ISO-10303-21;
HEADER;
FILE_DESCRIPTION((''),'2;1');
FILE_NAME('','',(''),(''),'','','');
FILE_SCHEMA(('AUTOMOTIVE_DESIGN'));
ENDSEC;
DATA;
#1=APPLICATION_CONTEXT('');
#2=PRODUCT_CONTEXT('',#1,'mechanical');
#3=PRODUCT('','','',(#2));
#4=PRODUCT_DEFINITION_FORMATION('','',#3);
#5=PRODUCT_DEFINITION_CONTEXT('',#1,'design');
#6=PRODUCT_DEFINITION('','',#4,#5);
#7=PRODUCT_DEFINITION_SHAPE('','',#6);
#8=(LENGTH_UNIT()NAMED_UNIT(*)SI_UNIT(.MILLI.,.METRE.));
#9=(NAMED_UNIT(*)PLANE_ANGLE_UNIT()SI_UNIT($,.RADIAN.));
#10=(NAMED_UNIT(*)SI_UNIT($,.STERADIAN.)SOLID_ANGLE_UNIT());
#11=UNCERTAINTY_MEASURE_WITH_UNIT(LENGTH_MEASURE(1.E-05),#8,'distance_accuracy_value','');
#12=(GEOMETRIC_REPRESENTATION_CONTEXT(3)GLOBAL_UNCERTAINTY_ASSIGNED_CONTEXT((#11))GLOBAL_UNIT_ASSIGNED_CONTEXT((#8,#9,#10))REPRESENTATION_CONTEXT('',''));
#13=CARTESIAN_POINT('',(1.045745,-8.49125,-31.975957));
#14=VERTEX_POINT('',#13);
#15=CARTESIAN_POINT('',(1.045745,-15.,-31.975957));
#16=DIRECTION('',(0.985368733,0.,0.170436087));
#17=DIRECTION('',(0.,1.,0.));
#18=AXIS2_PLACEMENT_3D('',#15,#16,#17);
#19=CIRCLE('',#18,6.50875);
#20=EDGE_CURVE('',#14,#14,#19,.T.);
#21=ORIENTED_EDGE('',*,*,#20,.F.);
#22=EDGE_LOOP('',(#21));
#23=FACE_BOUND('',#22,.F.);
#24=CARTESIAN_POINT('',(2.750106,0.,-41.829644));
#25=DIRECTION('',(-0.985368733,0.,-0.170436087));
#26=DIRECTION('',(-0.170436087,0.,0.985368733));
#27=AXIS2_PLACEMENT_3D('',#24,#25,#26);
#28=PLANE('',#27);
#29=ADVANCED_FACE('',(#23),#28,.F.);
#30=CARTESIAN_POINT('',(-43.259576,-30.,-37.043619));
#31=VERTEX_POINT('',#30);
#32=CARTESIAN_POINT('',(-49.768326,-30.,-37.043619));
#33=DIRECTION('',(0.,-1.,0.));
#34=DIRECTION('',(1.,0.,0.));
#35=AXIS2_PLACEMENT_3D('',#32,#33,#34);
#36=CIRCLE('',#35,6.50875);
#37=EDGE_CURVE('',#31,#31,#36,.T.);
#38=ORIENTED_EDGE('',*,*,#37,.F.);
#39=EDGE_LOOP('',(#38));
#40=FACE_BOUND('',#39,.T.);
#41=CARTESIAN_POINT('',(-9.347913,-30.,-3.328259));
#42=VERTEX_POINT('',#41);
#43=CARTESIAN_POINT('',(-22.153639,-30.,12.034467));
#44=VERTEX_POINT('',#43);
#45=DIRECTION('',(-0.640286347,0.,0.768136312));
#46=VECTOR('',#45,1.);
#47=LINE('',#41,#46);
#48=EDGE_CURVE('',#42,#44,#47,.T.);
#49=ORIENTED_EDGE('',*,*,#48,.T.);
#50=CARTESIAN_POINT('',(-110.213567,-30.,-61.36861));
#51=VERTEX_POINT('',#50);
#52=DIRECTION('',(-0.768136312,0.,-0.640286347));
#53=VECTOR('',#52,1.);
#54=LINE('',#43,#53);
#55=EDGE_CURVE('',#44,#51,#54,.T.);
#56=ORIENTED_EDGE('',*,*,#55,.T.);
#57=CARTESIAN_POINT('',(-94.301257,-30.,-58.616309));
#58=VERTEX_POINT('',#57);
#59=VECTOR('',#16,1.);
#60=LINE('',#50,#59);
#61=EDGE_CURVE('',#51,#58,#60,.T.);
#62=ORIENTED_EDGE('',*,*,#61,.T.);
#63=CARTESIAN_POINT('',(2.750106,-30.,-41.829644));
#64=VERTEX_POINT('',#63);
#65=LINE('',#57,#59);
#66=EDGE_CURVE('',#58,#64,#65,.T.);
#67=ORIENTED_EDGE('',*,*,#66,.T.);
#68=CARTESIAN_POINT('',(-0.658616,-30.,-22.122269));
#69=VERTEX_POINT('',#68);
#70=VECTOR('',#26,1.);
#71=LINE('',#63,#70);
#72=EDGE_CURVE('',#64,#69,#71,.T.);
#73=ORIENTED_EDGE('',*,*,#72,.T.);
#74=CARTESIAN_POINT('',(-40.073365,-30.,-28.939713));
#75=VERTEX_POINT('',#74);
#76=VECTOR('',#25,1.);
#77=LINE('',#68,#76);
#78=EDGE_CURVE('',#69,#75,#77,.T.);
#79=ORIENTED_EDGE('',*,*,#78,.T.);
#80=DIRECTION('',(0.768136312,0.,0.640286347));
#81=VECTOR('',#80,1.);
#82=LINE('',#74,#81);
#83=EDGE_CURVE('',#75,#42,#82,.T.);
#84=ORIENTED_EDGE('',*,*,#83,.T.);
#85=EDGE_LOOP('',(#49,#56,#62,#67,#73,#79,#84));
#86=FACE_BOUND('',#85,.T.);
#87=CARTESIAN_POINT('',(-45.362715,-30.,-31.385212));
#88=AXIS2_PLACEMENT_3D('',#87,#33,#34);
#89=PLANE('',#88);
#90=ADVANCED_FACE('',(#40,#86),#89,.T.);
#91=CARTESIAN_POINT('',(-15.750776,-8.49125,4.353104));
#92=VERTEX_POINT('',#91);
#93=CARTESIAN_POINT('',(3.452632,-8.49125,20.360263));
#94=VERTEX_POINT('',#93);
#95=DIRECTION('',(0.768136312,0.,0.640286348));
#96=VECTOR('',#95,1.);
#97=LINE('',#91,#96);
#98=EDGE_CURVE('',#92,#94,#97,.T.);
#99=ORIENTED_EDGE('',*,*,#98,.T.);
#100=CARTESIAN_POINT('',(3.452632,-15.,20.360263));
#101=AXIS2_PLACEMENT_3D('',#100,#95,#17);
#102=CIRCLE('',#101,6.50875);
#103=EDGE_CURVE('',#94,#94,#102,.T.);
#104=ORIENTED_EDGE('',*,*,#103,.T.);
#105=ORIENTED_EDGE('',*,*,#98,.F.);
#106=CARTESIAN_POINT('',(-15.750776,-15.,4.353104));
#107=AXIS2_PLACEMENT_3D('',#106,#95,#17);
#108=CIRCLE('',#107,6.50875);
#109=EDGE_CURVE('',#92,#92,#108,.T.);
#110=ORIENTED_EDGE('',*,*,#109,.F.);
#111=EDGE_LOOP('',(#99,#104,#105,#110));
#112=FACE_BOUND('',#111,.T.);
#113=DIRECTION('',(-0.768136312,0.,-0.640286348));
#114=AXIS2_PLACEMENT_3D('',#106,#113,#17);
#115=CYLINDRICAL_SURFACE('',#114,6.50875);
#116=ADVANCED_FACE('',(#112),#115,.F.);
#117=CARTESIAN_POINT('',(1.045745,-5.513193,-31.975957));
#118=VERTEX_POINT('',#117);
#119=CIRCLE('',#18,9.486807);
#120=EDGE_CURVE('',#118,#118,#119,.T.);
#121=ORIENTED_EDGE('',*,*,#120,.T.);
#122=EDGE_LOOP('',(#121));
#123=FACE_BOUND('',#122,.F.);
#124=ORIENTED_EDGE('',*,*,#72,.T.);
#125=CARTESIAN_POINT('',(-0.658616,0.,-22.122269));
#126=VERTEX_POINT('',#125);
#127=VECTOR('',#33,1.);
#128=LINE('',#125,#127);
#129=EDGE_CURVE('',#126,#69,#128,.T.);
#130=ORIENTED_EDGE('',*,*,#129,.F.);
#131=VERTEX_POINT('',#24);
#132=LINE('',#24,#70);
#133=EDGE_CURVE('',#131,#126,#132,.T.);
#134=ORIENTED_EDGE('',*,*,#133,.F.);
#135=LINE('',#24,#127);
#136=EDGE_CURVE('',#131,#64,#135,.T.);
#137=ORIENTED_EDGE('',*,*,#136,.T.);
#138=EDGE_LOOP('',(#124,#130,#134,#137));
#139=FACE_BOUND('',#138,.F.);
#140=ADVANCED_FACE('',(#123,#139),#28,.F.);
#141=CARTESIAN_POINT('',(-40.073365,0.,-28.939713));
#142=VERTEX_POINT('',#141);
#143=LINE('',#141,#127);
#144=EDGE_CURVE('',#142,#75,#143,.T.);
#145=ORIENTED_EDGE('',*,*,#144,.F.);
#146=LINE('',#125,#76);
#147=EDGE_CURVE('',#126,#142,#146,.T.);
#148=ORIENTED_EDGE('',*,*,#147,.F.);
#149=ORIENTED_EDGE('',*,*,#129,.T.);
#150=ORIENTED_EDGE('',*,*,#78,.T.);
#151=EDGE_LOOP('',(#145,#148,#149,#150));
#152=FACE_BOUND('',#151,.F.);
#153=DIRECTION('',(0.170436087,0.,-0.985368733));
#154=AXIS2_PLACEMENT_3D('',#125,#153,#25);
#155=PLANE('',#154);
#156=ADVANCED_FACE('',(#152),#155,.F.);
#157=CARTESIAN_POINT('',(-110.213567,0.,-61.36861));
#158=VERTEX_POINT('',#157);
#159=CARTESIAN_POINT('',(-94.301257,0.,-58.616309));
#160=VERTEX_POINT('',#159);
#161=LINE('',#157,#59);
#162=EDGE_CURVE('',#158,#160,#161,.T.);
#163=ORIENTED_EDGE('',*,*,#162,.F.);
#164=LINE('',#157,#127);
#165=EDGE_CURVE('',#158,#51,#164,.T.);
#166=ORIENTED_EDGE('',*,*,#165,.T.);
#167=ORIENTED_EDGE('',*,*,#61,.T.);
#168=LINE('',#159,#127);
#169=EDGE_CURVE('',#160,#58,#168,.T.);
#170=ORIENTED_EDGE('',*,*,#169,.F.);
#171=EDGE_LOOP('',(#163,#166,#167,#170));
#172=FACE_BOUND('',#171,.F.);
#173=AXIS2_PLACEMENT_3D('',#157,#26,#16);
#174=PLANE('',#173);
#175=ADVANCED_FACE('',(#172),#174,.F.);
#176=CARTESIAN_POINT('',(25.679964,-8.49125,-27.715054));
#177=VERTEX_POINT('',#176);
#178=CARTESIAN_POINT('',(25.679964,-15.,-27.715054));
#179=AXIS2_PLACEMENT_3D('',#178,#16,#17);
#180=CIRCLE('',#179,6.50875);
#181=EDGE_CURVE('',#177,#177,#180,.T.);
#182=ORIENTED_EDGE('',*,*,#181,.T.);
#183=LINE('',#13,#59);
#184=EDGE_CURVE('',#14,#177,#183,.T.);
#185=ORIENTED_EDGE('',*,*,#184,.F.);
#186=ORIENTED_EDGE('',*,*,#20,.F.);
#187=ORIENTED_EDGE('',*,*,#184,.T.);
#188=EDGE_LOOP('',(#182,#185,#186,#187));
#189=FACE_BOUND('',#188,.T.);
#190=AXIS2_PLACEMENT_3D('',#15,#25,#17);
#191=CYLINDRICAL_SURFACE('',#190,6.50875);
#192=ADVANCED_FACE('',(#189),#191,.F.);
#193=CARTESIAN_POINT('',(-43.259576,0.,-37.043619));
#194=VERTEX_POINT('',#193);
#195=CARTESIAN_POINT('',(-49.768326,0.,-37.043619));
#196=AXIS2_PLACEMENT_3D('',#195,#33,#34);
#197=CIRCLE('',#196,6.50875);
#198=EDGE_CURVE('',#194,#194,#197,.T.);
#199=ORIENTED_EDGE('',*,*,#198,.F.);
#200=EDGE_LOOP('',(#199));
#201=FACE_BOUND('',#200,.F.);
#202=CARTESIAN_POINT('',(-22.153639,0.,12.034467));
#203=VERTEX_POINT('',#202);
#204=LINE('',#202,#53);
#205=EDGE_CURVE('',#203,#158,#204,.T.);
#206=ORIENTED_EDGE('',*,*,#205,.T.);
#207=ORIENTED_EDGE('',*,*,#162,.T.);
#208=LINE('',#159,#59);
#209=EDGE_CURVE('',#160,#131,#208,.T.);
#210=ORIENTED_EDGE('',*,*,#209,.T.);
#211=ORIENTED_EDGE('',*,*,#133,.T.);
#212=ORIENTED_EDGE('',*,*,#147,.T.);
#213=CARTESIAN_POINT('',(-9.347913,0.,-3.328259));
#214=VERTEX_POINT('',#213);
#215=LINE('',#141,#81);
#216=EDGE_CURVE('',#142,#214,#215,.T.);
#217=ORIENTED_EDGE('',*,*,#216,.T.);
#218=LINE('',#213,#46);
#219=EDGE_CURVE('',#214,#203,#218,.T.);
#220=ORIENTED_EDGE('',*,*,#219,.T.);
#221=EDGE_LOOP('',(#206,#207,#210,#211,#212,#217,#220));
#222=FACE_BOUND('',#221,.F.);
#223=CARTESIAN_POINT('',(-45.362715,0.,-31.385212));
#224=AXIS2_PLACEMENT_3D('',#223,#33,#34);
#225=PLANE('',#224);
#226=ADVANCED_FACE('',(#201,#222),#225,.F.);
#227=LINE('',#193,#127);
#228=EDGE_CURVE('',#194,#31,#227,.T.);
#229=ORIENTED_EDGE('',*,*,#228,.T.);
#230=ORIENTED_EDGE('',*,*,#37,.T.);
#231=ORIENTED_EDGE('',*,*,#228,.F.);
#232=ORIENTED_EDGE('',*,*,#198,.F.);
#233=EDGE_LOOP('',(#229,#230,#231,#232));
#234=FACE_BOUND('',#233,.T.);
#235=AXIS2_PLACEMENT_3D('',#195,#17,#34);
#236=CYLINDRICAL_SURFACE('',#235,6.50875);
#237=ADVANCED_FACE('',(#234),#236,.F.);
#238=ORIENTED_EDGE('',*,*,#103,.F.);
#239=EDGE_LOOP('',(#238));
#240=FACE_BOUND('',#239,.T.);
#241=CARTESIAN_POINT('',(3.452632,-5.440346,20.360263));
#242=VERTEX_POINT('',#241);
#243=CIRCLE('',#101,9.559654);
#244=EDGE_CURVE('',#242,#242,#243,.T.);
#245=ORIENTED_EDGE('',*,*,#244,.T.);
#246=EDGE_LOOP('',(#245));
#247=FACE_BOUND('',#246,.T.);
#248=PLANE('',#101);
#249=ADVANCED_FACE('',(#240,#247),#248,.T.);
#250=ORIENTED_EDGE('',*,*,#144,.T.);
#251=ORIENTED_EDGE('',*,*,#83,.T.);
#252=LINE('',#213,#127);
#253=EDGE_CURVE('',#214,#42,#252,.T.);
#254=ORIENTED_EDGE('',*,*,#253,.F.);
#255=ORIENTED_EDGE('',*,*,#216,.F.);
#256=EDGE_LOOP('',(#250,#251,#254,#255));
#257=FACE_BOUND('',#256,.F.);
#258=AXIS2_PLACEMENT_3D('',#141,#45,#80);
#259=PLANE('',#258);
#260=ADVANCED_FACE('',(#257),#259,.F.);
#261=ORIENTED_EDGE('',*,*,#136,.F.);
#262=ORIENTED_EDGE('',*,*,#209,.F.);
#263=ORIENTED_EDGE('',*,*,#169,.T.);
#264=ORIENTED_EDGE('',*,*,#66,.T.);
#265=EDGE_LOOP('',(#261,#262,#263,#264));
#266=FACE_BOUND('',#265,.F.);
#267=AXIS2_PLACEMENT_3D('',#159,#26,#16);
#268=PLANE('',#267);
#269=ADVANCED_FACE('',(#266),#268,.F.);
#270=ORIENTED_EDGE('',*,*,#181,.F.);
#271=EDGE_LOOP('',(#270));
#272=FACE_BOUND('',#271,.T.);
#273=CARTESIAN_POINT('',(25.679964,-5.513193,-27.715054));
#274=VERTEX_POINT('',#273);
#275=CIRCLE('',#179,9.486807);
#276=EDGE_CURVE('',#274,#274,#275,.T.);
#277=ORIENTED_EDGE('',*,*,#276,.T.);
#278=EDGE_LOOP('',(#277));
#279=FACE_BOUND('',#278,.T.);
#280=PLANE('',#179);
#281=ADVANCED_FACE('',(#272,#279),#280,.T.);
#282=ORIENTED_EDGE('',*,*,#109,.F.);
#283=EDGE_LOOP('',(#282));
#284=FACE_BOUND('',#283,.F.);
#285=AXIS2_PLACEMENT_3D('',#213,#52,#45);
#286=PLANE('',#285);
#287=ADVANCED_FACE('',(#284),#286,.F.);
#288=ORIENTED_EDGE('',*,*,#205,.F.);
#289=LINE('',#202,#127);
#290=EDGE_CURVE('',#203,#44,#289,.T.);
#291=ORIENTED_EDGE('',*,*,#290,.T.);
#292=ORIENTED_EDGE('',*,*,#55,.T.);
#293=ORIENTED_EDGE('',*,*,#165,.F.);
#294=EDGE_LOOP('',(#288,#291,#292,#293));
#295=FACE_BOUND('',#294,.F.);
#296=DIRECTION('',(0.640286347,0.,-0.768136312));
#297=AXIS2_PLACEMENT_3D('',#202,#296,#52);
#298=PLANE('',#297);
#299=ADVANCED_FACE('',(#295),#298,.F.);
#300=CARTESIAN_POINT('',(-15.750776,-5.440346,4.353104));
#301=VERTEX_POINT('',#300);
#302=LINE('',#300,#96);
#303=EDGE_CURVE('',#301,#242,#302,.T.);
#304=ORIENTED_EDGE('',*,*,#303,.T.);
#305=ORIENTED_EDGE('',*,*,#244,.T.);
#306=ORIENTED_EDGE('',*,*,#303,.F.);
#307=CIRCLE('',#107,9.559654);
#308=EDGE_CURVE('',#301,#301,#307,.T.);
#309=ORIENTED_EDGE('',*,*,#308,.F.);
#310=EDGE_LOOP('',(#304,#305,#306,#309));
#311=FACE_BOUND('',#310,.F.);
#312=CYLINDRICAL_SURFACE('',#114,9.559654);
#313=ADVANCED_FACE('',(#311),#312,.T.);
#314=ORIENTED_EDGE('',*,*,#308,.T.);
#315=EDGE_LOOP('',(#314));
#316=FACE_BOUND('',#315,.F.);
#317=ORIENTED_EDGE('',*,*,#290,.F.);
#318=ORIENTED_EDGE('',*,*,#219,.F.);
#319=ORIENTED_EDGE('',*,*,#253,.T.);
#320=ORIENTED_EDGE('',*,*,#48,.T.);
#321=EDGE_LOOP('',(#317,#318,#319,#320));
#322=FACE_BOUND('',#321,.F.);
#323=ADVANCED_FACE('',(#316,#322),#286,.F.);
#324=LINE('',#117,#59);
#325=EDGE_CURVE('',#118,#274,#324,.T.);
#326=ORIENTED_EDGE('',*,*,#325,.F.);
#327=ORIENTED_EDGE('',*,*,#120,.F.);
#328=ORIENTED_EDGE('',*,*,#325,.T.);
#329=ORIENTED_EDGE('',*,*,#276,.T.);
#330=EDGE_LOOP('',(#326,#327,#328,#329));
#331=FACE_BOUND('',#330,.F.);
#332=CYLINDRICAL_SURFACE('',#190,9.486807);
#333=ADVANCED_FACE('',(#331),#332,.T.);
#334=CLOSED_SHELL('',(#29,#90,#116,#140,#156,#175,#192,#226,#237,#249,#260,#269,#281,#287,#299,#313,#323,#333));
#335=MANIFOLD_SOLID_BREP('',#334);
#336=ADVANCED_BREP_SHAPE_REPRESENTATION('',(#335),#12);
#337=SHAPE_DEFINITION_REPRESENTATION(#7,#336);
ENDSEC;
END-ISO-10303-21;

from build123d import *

# Parameters (mm, degrees)
F0_R     = 6.50875
F1_DEPTH = 30
F3_R     = 9.4868068264
F3_R_2   = 6.50875
F4_DEPTH = 25
F2_R     = 9.5596537672
F2_R_2   = 6.50875
F5_DEPTH = 25


with BuildPart() as f1:
    # F0 (on Front) → F1 (new body)
    with BuildSketch(Plane.XZ):
        Polygon((-0.6586156459, -22.1222693219), (-40.0733649731, -28.9397127926), (-9.3479125073, -3.3282588946), (-22.1536394563, 12.0344673383), (-110.213566766, -61.3686101614), (-94.3012574901, -58.6163087811), (2.7501060895, -41.8296439855), align=None)
        with Locations((-49.7683258624, -37.0436192746)):
            Circle(F0_R, mode=Mode.SUBTRACT)
    extrude(amount=F1_DEPTH)

    # F3 (on face) → F4 (join)
    with BuildSketch(Plane(origin=(-4.3547506781, 0, -0.7532273345), x_dir=(0, 1, 0), z_dir=(0.9853687332, 0, 0.1704360868))):
        with Locations((-15, -31.6863406234)):
            Circle(F3_R)
        with Locations((-15, -31.6863406234)):
            Circle(F3_R_2, mode=Mode.SUBTRACT)
    extrude(amount=F4_DEPTH)

    # F2 (on face) → F5 (join)
    with BuildSketch(Plane(origin=(-7.1525087674, 0, -5.9620325773), x_dir=(0, 1, 0), z_dir=(0.7681363116, 0, 0.6402863475))):
        with Locations((-15, 13.4287842441)):
            Circle(F2_R)
        with Locations((-15, 13.4287842441)):
            Circle(F2_R_2, mode=Mode.SUBTRACT)
    extrude(amount=F5_DEPTH)


solid = f1.part
